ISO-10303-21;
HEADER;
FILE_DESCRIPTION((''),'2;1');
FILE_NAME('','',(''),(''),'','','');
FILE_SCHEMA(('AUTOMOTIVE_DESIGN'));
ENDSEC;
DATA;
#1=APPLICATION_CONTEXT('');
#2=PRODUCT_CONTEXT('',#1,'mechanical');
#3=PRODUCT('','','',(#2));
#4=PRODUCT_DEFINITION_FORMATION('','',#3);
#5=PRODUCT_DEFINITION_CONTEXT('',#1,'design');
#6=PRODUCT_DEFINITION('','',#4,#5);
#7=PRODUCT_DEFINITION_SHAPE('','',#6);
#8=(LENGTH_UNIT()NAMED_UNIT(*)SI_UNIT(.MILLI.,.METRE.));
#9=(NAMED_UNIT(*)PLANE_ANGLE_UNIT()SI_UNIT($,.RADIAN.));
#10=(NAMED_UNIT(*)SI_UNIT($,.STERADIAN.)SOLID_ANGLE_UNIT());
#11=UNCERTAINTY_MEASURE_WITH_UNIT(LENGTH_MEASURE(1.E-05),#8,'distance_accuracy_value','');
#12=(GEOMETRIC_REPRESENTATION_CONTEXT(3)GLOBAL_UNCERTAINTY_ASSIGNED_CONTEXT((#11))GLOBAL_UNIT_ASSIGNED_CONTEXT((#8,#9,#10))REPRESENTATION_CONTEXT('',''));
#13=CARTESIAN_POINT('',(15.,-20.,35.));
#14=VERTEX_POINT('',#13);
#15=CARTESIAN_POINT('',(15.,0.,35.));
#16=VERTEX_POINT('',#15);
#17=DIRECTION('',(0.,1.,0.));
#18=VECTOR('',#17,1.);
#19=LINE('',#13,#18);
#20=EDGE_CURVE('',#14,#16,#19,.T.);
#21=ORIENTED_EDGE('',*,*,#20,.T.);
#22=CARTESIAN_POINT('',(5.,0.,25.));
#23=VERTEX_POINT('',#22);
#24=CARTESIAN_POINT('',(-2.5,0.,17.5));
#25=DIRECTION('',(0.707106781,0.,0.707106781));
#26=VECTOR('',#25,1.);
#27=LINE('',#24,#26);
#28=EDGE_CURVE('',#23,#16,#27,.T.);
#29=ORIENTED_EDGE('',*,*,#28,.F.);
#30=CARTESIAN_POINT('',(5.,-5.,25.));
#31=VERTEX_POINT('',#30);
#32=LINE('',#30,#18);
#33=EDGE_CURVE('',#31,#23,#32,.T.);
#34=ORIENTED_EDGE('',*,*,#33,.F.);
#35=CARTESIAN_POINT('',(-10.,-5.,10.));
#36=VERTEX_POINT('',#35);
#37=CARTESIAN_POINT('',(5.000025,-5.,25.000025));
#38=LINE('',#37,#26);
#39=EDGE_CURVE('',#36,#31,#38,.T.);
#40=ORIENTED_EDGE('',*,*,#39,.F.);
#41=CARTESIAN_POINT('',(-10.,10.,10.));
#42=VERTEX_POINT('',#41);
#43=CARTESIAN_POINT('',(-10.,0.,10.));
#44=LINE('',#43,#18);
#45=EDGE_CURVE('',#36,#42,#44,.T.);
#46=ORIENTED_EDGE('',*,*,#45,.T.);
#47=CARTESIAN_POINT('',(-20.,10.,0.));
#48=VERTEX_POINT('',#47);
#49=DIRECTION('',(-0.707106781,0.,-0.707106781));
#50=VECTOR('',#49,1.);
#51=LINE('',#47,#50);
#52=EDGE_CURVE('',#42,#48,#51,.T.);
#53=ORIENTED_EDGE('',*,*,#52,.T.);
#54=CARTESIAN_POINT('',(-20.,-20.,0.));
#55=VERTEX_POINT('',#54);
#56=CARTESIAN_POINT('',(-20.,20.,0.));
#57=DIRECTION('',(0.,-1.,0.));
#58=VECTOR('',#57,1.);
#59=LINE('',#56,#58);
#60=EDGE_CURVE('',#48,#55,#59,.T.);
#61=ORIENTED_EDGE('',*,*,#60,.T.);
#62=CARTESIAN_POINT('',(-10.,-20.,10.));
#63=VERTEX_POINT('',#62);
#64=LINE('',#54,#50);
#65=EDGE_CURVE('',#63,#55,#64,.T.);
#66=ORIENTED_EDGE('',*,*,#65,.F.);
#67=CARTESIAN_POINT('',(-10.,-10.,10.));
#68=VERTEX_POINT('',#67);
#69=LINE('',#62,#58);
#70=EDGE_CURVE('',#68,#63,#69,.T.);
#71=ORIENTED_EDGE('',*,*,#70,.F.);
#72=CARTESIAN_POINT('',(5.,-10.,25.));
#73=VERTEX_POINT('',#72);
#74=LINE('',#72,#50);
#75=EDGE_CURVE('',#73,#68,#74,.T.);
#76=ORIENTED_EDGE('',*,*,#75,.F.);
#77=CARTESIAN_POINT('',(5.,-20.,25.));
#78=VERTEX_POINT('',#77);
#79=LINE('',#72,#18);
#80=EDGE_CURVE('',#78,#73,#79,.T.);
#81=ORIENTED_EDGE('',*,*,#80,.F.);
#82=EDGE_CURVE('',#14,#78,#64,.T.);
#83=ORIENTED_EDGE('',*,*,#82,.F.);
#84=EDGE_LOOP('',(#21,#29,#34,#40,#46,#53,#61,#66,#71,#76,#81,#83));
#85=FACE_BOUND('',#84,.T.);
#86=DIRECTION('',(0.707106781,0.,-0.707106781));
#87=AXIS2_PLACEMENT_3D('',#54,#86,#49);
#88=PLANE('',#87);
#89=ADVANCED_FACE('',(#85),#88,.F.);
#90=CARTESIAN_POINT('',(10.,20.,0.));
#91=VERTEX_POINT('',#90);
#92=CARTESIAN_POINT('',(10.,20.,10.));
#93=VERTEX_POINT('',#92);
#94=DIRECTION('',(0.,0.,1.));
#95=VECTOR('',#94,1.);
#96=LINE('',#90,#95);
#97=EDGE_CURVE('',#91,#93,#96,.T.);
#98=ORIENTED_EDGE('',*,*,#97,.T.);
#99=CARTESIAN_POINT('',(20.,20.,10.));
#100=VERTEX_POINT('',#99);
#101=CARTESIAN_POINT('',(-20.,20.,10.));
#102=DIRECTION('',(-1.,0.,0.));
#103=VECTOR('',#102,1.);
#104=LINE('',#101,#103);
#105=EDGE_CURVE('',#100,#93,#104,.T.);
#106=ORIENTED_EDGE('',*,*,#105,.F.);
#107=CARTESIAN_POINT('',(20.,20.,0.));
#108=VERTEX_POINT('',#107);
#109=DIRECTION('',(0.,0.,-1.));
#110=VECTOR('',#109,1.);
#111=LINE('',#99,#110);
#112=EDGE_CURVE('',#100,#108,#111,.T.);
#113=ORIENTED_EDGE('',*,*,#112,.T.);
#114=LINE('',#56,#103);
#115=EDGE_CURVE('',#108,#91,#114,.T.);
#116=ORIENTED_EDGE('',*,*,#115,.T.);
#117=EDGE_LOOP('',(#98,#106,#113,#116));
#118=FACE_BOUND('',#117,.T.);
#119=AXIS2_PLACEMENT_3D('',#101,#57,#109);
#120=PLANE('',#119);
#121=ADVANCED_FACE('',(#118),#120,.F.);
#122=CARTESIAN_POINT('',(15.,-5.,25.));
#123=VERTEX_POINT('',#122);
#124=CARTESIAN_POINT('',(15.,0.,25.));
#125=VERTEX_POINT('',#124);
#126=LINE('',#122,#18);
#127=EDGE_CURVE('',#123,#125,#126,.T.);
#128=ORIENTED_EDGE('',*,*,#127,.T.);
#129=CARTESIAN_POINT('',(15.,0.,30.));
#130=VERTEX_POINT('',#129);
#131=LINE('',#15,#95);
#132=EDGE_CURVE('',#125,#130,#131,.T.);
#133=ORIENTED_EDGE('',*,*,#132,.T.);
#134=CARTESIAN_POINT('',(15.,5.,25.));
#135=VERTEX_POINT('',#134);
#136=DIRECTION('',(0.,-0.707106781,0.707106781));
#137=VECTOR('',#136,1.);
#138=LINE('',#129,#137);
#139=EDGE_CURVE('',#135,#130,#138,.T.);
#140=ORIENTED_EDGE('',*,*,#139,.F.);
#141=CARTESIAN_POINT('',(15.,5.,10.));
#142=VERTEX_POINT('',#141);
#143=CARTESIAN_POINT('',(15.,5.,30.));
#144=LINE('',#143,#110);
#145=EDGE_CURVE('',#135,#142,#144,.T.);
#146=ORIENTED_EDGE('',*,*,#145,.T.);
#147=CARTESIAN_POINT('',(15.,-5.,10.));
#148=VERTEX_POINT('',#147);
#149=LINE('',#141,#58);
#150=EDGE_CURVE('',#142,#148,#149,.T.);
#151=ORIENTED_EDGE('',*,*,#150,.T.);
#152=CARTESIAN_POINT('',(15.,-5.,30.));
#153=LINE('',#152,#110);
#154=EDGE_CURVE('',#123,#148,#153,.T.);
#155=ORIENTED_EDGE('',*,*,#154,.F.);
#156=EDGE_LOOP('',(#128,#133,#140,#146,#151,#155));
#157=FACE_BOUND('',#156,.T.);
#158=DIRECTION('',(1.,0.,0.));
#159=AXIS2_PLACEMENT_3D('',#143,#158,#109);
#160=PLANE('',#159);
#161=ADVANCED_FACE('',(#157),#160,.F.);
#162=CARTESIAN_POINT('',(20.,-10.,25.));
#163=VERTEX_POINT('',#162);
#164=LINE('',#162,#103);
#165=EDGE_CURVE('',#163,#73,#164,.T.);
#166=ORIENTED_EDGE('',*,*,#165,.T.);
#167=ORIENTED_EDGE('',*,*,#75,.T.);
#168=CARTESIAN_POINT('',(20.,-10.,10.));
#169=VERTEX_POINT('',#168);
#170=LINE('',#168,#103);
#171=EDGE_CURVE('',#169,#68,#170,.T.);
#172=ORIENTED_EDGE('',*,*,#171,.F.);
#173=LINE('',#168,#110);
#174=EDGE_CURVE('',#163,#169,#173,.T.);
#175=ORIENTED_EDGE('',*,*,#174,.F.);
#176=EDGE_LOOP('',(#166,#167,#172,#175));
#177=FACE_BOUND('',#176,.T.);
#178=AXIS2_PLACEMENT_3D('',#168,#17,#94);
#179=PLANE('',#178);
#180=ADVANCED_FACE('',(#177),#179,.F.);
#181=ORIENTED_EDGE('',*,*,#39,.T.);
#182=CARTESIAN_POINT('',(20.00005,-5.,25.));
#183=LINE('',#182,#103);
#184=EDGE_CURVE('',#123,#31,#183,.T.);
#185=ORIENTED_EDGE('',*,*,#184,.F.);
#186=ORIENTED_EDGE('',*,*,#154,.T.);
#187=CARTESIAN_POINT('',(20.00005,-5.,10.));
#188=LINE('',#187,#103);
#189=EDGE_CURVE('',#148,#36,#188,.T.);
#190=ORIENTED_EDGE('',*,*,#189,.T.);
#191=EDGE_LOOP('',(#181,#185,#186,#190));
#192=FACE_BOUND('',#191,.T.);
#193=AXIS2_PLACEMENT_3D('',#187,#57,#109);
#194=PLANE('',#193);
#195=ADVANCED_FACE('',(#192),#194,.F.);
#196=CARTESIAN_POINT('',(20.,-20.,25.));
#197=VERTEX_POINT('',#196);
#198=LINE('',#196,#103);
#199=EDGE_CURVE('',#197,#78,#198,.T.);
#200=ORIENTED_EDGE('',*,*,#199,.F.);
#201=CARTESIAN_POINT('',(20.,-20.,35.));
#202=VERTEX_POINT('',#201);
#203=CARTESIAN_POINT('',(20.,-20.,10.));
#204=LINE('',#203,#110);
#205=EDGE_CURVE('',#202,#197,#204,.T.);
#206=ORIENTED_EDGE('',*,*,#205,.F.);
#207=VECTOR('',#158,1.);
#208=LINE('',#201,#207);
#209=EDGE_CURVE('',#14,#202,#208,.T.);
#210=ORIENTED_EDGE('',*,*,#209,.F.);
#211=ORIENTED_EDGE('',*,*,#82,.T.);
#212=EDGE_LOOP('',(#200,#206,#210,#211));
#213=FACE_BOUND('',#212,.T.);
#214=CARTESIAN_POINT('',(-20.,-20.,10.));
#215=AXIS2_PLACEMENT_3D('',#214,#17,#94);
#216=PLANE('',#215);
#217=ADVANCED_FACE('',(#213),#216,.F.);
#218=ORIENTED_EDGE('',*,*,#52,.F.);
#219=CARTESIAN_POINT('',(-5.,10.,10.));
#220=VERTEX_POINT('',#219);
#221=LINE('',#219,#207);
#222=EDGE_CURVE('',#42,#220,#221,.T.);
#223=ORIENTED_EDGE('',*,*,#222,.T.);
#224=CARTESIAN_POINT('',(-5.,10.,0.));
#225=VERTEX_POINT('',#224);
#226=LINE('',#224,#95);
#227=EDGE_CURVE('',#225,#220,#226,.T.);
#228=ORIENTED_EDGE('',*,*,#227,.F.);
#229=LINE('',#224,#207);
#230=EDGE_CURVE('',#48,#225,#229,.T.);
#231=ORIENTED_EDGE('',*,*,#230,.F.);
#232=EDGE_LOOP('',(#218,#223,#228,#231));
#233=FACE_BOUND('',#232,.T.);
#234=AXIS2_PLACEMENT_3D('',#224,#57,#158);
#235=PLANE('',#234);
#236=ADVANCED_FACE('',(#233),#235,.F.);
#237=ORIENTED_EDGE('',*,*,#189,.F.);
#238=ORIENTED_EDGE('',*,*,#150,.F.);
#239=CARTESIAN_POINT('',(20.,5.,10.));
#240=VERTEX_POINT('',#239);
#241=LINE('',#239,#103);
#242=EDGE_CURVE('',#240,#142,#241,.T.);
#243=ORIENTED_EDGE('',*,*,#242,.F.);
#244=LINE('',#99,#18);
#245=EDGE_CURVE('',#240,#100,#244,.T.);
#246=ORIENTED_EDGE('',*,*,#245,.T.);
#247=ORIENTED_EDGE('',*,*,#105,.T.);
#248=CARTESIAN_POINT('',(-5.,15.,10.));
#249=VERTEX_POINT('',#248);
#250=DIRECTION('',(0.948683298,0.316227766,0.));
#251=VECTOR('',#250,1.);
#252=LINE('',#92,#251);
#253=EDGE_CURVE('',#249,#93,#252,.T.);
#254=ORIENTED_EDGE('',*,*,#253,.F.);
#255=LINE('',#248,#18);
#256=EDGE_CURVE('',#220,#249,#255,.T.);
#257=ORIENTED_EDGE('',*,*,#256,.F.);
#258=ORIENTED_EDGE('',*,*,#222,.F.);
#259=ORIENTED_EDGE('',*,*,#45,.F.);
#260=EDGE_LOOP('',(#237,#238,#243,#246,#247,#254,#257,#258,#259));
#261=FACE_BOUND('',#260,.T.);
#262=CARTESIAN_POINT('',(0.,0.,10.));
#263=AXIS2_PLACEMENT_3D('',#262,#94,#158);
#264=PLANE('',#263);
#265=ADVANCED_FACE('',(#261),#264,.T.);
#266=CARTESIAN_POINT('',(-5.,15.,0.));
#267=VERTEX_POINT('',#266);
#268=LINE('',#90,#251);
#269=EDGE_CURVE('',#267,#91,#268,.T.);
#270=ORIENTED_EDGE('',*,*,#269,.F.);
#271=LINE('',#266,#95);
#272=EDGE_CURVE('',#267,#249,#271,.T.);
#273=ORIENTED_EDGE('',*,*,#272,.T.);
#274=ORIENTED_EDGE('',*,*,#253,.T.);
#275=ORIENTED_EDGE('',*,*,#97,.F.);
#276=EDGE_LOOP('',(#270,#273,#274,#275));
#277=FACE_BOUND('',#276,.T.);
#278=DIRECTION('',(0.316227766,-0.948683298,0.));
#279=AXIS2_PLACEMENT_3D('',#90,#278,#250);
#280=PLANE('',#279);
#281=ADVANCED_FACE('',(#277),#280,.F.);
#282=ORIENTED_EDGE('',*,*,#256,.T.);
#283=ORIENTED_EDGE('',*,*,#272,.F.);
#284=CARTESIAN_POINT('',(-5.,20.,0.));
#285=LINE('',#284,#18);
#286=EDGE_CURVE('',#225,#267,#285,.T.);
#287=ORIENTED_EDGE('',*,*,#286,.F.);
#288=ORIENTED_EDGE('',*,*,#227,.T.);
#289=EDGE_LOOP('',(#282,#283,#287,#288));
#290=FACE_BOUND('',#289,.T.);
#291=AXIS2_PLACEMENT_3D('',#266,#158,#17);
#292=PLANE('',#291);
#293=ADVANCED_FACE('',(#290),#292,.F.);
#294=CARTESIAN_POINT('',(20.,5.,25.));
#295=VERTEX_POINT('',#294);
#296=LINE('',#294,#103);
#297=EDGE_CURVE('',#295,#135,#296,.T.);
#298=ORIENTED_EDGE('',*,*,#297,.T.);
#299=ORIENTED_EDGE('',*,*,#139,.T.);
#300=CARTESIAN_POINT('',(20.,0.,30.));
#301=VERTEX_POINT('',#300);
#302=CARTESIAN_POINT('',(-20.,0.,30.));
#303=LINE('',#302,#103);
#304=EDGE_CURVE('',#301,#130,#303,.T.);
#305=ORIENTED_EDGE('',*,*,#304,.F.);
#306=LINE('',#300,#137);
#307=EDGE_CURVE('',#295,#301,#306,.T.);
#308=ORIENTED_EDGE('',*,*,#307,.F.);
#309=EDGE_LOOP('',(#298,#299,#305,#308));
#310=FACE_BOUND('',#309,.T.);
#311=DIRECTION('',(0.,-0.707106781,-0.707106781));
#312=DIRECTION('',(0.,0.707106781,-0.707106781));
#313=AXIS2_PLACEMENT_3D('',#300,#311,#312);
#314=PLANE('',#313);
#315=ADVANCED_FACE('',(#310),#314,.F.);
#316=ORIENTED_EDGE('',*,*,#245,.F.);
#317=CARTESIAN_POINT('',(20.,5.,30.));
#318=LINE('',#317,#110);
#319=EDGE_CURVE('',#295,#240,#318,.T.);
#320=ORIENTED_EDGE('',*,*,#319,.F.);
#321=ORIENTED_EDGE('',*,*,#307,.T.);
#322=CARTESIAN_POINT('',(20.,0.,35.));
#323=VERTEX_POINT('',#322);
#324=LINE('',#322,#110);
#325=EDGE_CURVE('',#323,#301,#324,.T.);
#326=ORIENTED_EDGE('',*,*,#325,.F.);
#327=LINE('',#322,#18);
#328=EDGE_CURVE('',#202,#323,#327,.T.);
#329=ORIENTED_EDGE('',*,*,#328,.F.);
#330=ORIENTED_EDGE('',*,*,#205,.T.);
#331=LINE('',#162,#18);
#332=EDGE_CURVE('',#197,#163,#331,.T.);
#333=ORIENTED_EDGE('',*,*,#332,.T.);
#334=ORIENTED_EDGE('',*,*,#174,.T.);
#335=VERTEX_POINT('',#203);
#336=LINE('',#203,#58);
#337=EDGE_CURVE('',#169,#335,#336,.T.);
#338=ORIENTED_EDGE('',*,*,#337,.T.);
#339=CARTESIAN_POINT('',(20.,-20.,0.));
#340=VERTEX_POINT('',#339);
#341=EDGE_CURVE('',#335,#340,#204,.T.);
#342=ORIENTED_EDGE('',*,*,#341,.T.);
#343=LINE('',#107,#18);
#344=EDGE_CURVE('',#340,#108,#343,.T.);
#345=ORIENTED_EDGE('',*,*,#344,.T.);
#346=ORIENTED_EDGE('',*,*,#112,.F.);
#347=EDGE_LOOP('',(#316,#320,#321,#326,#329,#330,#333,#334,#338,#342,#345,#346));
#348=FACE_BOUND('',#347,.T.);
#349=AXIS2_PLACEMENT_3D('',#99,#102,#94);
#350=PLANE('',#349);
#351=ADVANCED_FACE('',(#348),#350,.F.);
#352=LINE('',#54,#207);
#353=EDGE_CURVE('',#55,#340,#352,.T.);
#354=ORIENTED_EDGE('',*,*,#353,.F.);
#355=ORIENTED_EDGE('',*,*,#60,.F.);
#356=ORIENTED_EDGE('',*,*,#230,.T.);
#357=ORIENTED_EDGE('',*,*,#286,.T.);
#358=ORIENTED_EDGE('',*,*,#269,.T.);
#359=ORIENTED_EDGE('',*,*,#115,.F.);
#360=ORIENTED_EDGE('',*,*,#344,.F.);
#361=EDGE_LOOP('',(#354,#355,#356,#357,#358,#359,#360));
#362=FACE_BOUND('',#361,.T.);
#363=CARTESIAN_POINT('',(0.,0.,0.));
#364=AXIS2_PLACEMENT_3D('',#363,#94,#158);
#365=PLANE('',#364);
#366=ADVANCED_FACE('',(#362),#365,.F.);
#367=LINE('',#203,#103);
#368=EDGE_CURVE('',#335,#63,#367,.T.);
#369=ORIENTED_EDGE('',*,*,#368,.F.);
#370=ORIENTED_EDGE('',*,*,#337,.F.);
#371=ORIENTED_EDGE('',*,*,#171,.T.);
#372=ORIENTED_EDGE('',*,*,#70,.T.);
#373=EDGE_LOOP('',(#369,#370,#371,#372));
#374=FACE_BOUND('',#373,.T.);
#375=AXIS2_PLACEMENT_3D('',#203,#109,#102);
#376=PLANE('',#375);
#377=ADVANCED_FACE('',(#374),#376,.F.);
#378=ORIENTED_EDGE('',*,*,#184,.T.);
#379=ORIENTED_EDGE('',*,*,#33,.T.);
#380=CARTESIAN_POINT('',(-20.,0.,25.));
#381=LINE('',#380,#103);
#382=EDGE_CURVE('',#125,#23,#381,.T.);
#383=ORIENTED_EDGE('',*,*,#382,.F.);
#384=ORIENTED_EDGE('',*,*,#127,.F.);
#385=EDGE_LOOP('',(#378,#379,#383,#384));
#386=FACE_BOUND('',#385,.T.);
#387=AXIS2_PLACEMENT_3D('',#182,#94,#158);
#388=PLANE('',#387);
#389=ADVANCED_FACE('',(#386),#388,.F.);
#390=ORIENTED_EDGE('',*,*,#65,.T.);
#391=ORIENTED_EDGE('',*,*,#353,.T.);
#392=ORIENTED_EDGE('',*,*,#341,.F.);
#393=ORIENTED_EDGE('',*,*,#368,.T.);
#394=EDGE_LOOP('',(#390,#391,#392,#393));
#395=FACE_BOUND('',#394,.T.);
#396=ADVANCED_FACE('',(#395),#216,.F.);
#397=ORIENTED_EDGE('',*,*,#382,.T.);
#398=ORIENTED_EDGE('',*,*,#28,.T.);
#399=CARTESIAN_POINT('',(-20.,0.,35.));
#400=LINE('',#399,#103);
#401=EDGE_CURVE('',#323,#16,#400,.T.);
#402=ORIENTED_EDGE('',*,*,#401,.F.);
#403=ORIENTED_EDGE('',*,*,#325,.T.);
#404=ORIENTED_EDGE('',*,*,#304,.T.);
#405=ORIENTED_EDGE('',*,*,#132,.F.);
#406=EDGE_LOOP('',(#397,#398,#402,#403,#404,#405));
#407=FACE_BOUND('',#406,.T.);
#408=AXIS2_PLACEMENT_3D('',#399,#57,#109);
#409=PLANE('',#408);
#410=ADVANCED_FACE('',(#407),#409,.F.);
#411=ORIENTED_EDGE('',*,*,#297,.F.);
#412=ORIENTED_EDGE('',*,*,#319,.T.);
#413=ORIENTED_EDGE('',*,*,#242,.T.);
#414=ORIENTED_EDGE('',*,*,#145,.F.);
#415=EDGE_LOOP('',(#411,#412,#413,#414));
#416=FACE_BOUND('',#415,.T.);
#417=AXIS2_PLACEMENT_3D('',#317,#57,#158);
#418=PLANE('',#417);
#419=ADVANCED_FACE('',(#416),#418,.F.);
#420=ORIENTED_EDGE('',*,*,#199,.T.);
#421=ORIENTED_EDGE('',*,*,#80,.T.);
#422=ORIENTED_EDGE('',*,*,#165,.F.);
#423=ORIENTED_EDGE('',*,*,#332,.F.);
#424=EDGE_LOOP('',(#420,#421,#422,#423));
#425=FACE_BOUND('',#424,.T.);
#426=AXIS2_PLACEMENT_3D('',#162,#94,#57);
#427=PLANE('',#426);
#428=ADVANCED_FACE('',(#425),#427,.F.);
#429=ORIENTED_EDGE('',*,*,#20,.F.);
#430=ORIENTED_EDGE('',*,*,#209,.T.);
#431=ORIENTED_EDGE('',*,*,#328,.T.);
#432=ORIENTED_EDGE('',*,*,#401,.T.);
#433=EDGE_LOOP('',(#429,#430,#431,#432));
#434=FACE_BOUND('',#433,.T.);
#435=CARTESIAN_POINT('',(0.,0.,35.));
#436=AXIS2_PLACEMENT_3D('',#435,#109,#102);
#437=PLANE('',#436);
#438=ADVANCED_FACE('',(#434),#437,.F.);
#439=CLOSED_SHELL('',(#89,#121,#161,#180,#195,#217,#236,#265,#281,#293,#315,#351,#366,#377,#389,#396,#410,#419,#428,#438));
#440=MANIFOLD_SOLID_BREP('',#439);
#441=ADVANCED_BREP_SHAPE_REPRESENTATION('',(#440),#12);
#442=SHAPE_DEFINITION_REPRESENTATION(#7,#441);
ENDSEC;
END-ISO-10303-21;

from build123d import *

# Parameters (mm, degrees)
SKETCH1_W           = 40
SKETCH1_H           = 40
BOSS_EXTRUDE1_DEPTH = 10
CUT_EXTRUDE1_DEPTH  = 11
CUT_EXTRUDE2_DEPTH  = 11
SKETCH4_W           = 40
SKETCH4_H           = 20
BOSS_EXTRUDE2_DEPTH = 25
SKETCH5_W           = 15
SKETCH5_H           = 5
CUT_EXTRUDE3_DEPTH  = 41
SKETCH7_W           = 15
SKETCH7_H           = 10
CUT_EXTRUDE4_DEPTH  = 41
CUT_EXTRUDE5_DEPTH  = 31
SKETCH9_W           = 5
SKETCH9_H           = 10
BOSS_EXTRUDE3_DEPTH = 20
CUT_EXTRUDE6_DEPTH  = 6


with BuildPart() as part:
    # Sketch1 → Boss-Extrude1 (new body)
    with BuildSketch(Plane.XY):
        Rectangle(SKETCH1_W, SKETCH1_H)
    extrude(amount=BOSS_EXTRUDE1_DEPTH)

    # Sketch2 → Cut-Extrude1 (cut, through all)
    with BuildSketch(Plane.XY.offset(10)):
        Polygon((10, 20), (-5, 15), (-5, 20), align=None)
    extrude(amount=-CUT_EXTRUDE1_DEPTH, mode=Mode.SUBTRACT)

    # Sketch3 → Cut-Extrude2 (cut, through all)
    with BuildSketch(Plane.XY.offset(10)):
        Polygon((-5, 15), (-5, 10), (-20, 10), (-20, 20), (-5, 20), align=None)
    extrude(amount=-CUT_EXTRUDE2_DEPTH, mode=Mode.SUBTRACT)

    # Sketch4 → Boss-Extrude2 (add)
    with BuildSketch(Plane.XY.offset(10)):
        with Locations((0, -10)):
            Rectangle(SKETCH4_W, SKETCH4_H)
    extrude(amount=BOSS_EXTRUDE2_DEPTH)

    # Sketch5 → Cut-Extrude3 (cut, through all)
    with BuildSketch(Plane.ZY.offset(20)):
        with Locations((17.5, -2.5)):
            Rectangle(SKETCH5_W, SKETCH5_H)
    extrude(amount=-CUT_EXTRUDE3_DEPTH, mode=Mode.SUBTRACT)

    # Sketch7 → Cut-Extrude4 (cut, through all)
    with BuildSketch(Plane.ZY.offset(20)):
        with Locations((17.5, -15)):
            Rectangle(SKETCH7_W, SKETCH7_H)
    extrude(amount=-CUT_EXTRUDE4_DEPTH, mode=Mode.SUBTRACT)

    # Sketch8 → Cut-Extrude5 (cut, through all)
    with BuildSketch(Plane(origin=(0, 10, 0), x_dir=(1, 0, 0), z_dir=(0, 1, 0))):
        Polygon((-20, 0), (15, -35), (-20, -35), align=None)
    extrude(amount=-CUT_EXTRUDE5_DEPTH, mode=Mode.SUBTRACT)

    # Sketch9 → Boss-Extrude3 (add)
    with BuildSketch(Plane.XY.offset(10)):
        with Locations((17.5, 0)):
            Rectangle(SKETCH9_W, SKETCH9_H)
    extrude(amount=BOSS_EXTRUDE3_DEPTH)

    # Sketch10 → Cut-Extrude6 (cut, through all)
    with BuildSketch(Plane.ZY.offset(-15)):
        Polygon((30, 0), (25, 5), (30, 5), align=None)
    extrude(amount=-CUT_EXTRUDE6_DEPTH, mode=Mode.SUBTRACT)


solid = part.part
